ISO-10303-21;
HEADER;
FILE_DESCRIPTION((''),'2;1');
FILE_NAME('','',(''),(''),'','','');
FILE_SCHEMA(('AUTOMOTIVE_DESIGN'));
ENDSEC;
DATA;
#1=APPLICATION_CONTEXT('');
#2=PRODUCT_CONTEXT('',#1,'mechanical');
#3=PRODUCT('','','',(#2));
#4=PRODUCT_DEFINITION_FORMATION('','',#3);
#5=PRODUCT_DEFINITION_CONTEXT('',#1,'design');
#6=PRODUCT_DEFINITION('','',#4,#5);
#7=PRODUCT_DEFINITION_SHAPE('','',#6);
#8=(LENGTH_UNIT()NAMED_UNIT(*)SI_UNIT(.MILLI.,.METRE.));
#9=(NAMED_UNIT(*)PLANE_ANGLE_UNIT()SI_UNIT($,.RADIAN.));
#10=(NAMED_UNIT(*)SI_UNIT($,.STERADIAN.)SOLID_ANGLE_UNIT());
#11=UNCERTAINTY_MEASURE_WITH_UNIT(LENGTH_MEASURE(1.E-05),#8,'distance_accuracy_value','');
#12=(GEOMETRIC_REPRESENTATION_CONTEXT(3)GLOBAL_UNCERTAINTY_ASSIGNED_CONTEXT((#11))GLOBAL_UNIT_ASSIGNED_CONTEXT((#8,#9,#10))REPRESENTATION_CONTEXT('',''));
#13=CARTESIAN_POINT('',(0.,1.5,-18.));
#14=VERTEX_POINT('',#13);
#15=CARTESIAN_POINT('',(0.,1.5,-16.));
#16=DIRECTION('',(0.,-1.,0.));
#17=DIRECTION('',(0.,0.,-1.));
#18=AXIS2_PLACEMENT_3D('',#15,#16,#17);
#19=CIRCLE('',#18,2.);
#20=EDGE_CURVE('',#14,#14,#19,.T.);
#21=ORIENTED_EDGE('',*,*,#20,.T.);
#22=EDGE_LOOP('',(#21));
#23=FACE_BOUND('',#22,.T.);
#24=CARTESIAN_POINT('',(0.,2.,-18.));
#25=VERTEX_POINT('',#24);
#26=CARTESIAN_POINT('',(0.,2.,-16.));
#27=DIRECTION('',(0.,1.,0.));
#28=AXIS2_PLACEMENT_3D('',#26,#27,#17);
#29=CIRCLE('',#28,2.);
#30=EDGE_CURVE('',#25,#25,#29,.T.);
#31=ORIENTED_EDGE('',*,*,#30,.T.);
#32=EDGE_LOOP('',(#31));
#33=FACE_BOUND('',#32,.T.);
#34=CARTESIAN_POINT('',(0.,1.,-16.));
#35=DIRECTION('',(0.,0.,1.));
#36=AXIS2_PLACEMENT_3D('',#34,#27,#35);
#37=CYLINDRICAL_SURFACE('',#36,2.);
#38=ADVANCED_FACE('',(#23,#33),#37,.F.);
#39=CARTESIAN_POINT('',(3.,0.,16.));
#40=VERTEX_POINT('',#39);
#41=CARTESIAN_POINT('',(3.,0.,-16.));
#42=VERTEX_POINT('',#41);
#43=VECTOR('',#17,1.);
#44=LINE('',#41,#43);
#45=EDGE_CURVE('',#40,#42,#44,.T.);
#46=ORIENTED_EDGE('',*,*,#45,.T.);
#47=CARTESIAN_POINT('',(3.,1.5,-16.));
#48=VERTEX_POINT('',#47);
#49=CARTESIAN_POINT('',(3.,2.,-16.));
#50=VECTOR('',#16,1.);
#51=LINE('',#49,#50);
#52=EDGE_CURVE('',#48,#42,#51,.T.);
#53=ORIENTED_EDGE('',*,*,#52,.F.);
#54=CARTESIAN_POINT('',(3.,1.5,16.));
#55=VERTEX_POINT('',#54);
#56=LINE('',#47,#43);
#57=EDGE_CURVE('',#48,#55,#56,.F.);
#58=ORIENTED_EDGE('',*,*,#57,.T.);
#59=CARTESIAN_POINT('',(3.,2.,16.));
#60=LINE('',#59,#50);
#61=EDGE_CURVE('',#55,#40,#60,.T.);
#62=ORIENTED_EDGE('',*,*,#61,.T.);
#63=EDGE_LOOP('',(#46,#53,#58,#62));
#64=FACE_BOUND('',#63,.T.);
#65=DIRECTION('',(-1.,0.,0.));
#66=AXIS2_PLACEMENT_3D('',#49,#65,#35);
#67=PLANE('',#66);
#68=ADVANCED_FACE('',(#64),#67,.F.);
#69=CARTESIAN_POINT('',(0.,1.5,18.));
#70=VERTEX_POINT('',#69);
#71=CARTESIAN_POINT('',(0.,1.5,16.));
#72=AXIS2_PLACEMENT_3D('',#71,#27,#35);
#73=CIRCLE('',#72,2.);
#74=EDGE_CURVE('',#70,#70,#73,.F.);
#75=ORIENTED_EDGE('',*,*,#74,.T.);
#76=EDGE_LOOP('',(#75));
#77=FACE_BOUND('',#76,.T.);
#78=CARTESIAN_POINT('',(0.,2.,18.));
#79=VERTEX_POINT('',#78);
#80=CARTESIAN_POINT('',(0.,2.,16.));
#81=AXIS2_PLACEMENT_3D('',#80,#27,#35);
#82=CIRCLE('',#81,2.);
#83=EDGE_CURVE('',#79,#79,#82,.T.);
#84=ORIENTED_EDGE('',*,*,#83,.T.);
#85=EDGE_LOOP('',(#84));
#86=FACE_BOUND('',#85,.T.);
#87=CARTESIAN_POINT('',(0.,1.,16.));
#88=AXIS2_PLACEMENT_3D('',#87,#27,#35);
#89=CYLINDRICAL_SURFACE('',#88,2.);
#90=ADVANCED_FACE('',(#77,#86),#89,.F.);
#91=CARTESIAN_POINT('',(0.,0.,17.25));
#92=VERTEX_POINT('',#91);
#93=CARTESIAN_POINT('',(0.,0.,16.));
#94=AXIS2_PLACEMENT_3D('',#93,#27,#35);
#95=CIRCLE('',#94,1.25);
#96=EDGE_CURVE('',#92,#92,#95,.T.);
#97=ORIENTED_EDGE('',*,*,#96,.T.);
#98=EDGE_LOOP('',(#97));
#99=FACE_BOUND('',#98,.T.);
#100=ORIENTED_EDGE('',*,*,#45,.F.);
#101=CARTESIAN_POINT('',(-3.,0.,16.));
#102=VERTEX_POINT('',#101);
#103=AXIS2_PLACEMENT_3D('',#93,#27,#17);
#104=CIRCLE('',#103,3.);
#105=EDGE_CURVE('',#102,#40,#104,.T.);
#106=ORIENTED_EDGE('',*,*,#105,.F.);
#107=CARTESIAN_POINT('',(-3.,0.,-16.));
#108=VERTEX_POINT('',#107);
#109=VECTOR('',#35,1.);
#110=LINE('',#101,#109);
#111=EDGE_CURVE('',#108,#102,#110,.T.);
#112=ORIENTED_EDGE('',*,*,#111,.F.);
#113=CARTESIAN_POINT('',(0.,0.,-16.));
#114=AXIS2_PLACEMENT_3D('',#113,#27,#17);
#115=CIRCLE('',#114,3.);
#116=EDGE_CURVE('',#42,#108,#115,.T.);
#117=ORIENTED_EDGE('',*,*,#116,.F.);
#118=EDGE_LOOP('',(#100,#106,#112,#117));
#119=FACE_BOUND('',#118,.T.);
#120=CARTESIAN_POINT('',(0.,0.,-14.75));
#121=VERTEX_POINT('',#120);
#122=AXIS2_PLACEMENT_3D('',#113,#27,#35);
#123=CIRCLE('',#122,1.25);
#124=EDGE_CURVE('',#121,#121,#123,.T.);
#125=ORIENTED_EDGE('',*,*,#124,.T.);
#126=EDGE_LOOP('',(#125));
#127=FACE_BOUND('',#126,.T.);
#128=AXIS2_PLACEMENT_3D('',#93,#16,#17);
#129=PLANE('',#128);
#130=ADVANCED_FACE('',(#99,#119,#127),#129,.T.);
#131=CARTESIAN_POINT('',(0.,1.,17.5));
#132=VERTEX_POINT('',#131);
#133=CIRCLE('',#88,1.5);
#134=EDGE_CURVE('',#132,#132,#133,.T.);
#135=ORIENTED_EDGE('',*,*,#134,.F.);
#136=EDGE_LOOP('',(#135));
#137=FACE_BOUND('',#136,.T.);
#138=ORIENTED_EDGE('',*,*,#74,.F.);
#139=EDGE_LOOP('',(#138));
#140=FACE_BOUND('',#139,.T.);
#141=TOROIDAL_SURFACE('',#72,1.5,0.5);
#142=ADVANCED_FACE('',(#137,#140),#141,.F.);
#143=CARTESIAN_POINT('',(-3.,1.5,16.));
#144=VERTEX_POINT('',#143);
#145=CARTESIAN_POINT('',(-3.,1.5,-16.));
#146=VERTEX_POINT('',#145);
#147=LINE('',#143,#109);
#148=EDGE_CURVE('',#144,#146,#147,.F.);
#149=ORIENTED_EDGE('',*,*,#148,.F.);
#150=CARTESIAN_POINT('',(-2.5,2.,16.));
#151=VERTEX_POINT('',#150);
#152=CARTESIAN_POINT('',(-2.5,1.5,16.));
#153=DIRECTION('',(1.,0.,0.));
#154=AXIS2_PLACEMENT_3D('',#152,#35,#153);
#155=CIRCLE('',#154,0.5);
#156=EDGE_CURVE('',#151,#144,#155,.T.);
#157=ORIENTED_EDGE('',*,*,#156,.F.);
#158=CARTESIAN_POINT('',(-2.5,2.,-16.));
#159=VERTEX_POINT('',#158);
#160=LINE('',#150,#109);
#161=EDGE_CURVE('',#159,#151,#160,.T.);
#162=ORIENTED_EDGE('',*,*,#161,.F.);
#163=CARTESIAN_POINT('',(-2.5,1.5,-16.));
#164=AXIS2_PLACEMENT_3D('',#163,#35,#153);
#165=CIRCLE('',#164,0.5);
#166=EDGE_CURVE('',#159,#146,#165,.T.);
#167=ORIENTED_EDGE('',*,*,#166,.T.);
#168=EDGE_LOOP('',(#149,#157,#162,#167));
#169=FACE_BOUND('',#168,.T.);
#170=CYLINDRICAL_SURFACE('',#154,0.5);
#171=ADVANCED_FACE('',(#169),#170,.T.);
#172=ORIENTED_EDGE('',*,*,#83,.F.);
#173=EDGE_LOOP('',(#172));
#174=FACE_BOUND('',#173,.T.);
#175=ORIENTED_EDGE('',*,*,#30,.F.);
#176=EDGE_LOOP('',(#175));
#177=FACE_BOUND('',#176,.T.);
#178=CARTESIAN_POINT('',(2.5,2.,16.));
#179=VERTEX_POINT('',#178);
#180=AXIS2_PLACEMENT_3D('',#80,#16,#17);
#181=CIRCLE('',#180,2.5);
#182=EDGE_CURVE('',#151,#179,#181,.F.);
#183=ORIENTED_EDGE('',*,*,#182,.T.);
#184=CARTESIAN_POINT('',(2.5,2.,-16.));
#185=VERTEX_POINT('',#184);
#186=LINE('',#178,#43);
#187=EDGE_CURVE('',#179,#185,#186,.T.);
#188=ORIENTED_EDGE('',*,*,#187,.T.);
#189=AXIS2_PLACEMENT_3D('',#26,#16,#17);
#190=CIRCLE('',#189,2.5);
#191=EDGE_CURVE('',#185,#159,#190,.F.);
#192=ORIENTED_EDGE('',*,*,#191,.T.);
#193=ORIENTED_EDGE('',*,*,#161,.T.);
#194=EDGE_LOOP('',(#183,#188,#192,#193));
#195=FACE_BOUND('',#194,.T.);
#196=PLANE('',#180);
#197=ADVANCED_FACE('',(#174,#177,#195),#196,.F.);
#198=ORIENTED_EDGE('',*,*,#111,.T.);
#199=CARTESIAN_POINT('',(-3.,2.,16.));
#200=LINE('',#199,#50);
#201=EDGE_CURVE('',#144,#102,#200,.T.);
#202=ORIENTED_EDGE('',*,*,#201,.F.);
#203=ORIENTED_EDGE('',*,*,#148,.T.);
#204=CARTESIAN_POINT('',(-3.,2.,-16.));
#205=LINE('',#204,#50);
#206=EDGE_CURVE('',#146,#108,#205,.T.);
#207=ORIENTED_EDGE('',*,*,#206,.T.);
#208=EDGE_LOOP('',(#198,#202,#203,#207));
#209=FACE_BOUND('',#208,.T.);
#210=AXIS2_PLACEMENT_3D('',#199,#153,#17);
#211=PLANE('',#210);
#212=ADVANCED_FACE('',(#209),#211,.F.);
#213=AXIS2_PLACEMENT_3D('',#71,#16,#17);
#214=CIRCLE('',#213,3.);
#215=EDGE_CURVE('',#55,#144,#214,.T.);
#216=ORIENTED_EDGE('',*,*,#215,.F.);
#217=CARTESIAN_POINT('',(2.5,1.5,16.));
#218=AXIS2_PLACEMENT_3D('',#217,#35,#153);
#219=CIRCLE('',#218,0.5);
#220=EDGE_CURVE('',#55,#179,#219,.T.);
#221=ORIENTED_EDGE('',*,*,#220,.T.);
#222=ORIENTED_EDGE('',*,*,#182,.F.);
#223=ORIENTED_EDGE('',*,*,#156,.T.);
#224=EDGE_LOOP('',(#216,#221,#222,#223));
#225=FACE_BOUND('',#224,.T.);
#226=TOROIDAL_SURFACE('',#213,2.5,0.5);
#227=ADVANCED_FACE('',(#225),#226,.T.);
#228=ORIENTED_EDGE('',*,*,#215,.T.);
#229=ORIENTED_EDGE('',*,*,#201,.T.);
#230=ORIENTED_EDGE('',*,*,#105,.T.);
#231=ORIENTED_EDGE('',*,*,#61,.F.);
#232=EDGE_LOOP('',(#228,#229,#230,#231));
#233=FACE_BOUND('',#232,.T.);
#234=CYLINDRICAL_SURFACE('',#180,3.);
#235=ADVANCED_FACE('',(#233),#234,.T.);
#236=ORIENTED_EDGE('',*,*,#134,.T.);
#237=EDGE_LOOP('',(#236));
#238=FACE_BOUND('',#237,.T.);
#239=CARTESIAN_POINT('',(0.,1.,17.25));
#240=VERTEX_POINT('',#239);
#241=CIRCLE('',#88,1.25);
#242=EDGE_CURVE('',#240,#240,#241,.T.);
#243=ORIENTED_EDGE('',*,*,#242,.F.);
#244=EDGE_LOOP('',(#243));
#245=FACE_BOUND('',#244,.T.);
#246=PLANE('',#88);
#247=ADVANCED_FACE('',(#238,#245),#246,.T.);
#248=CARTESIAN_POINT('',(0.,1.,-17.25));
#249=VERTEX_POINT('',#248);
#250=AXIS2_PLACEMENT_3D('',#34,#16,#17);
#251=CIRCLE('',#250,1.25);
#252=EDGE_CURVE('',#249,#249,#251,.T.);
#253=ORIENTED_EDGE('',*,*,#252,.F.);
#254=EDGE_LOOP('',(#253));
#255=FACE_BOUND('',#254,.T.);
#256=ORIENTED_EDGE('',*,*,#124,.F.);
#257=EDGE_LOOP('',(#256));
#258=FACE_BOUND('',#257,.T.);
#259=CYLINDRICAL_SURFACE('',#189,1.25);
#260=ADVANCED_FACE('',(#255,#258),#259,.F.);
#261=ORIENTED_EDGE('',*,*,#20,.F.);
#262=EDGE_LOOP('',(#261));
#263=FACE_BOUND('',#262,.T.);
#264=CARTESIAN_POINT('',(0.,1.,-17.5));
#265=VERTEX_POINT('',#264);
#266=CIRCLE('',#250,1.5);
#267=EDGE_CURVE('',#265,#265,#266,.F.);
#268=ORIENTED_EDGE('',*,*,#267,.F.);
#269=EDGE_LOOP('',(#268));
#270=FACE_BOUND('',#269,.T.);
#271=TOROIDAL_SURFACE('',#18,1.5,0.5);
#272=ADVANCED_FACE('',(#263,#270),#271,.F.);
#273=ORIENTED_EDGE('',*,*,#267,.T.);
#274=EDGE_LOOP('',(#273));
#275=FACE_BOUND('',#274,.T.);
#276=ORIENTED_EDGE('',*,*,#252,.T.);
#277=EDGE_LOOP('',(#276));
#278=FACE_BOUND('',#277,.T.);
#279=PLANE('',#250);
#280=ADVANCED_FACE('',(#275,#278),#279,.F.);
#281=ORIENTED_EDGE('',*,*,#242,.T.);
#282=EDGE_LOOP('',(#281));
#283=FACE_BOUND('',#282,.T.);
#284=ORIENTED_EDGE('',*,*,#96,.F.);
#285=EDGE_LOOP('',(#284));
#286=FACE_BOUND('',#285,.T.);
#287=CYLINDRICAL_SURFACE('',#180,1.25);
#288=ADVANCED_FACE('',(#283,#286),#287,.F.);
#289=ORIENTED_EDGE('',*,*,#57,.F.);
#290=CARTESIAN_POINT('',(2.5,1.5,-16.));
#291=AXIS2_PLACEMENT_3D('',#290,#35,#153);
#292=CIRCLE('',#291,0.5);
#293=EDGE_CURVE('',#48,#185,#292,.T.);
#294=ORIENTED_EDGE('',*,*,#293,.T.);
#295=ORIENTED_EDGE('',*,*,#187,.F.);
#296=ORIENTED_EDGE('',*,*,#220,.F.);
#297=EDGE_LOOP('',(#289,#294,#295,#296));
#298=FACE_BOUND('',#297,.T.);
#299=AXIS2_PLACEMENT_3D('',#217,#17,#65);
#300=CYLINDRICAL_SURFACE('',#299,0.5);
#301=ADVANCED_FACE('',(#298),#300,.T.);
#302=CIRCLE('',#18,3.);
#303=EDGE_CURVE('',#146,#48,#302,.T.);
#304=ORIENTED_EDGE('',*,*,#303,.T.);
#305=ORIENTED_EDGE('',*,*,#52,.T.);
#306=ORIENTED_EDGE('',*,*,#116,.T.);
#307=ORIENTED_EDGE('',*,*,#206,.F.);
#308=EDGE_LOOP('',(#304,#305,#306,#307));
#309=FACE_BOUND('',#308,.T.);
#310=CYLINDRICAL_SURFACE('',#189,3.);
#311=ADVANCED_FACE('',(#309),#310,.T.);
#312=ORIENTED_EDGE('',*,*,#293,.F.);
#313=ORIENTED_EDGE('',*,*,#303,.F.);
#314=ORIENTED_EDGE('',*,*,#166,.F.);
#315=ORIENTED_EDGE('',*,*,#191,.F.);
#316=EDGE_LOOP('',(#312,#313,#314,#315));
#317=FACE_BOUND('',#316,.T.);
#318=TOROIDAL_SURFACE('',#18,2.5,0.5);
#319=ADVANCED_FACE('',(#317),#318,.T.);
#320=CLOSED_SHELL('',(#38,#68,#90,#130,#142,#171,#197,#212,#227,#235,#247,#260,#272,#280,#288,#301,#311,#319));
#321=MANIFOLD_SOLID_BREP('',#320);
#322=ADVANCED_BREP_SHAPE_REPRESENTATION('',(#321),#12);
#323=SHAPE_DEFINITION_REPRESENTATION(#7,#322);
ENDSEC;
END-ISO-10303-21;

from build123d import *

# Parameters (mm, degrees)
SKETCH1_R           = 1.25
BOSS_EXTRUDE1_DEPTH = 2
SKETCH2_R           = 2
CUT_EXTRUDE1_DEPTH  = 1
FILLET1_R           = 0.5


with BuildPart() as part:
    # Sketch1 → Boss-Extrude1 (new body)
    with BuildSketch(Plane(origin=(0, 0, 0), x_dir=(1, 0, 0), z_dir=(0, 1, 0))):
        with BuildLine():
            Line((-3, -16), (-3, 16))
            ThreePointArc((-3, 16), (0, 19), (3, 16))
            Line((3, 16), (3, -16))
            ThreePointArc((3, -16), (0, -19), (-3, -16))
        make_face()
        with Locations(Location((0, 16, 0), (0, 0, 270))):
            Circle(SKETCH1_R, mode=Mode.SUBTRACT)
        with Locations(Location((0, -16, 0), (0, 0, 270))):
            Circle(SKETCH1_R, mode=Mode.SUBTRACT)
    extrude(amount=BOSS_EXTRUDE1_DEPTH)

    # Sketch2 → Cut-Extrude1 (cut)
    with BuildSketch(Plane(origin=(0, 2, 0), x_dir=(1, 0, 0), z_dir=(0, 1, 0))):
        with Locations(Location((0, -16, 0), (0, 0, 270))):
            Circle(SKETCH2_R)
        with Locations(Location((0, 16, 0), (0, 0, 90))):
            Circle(SKETCH2_R)
    extrude(amount=-CUT_EXTRUDE1_DEPTH, mode=Mode.SUBTRACT)

    # Fillet1
    fillet1_edges = [part.edges().sort_by_distance(p)[0] for p in [
        (0, 2, -19),
        (-3, 2, 0),
        (0, 1, 14),
        (0, 1, -14),
        (0, 2, 19),
        (3, 2, 0),
    ]]
    fillet(fillet1_edges, radius=FILLET1_R)


solid = part.part
